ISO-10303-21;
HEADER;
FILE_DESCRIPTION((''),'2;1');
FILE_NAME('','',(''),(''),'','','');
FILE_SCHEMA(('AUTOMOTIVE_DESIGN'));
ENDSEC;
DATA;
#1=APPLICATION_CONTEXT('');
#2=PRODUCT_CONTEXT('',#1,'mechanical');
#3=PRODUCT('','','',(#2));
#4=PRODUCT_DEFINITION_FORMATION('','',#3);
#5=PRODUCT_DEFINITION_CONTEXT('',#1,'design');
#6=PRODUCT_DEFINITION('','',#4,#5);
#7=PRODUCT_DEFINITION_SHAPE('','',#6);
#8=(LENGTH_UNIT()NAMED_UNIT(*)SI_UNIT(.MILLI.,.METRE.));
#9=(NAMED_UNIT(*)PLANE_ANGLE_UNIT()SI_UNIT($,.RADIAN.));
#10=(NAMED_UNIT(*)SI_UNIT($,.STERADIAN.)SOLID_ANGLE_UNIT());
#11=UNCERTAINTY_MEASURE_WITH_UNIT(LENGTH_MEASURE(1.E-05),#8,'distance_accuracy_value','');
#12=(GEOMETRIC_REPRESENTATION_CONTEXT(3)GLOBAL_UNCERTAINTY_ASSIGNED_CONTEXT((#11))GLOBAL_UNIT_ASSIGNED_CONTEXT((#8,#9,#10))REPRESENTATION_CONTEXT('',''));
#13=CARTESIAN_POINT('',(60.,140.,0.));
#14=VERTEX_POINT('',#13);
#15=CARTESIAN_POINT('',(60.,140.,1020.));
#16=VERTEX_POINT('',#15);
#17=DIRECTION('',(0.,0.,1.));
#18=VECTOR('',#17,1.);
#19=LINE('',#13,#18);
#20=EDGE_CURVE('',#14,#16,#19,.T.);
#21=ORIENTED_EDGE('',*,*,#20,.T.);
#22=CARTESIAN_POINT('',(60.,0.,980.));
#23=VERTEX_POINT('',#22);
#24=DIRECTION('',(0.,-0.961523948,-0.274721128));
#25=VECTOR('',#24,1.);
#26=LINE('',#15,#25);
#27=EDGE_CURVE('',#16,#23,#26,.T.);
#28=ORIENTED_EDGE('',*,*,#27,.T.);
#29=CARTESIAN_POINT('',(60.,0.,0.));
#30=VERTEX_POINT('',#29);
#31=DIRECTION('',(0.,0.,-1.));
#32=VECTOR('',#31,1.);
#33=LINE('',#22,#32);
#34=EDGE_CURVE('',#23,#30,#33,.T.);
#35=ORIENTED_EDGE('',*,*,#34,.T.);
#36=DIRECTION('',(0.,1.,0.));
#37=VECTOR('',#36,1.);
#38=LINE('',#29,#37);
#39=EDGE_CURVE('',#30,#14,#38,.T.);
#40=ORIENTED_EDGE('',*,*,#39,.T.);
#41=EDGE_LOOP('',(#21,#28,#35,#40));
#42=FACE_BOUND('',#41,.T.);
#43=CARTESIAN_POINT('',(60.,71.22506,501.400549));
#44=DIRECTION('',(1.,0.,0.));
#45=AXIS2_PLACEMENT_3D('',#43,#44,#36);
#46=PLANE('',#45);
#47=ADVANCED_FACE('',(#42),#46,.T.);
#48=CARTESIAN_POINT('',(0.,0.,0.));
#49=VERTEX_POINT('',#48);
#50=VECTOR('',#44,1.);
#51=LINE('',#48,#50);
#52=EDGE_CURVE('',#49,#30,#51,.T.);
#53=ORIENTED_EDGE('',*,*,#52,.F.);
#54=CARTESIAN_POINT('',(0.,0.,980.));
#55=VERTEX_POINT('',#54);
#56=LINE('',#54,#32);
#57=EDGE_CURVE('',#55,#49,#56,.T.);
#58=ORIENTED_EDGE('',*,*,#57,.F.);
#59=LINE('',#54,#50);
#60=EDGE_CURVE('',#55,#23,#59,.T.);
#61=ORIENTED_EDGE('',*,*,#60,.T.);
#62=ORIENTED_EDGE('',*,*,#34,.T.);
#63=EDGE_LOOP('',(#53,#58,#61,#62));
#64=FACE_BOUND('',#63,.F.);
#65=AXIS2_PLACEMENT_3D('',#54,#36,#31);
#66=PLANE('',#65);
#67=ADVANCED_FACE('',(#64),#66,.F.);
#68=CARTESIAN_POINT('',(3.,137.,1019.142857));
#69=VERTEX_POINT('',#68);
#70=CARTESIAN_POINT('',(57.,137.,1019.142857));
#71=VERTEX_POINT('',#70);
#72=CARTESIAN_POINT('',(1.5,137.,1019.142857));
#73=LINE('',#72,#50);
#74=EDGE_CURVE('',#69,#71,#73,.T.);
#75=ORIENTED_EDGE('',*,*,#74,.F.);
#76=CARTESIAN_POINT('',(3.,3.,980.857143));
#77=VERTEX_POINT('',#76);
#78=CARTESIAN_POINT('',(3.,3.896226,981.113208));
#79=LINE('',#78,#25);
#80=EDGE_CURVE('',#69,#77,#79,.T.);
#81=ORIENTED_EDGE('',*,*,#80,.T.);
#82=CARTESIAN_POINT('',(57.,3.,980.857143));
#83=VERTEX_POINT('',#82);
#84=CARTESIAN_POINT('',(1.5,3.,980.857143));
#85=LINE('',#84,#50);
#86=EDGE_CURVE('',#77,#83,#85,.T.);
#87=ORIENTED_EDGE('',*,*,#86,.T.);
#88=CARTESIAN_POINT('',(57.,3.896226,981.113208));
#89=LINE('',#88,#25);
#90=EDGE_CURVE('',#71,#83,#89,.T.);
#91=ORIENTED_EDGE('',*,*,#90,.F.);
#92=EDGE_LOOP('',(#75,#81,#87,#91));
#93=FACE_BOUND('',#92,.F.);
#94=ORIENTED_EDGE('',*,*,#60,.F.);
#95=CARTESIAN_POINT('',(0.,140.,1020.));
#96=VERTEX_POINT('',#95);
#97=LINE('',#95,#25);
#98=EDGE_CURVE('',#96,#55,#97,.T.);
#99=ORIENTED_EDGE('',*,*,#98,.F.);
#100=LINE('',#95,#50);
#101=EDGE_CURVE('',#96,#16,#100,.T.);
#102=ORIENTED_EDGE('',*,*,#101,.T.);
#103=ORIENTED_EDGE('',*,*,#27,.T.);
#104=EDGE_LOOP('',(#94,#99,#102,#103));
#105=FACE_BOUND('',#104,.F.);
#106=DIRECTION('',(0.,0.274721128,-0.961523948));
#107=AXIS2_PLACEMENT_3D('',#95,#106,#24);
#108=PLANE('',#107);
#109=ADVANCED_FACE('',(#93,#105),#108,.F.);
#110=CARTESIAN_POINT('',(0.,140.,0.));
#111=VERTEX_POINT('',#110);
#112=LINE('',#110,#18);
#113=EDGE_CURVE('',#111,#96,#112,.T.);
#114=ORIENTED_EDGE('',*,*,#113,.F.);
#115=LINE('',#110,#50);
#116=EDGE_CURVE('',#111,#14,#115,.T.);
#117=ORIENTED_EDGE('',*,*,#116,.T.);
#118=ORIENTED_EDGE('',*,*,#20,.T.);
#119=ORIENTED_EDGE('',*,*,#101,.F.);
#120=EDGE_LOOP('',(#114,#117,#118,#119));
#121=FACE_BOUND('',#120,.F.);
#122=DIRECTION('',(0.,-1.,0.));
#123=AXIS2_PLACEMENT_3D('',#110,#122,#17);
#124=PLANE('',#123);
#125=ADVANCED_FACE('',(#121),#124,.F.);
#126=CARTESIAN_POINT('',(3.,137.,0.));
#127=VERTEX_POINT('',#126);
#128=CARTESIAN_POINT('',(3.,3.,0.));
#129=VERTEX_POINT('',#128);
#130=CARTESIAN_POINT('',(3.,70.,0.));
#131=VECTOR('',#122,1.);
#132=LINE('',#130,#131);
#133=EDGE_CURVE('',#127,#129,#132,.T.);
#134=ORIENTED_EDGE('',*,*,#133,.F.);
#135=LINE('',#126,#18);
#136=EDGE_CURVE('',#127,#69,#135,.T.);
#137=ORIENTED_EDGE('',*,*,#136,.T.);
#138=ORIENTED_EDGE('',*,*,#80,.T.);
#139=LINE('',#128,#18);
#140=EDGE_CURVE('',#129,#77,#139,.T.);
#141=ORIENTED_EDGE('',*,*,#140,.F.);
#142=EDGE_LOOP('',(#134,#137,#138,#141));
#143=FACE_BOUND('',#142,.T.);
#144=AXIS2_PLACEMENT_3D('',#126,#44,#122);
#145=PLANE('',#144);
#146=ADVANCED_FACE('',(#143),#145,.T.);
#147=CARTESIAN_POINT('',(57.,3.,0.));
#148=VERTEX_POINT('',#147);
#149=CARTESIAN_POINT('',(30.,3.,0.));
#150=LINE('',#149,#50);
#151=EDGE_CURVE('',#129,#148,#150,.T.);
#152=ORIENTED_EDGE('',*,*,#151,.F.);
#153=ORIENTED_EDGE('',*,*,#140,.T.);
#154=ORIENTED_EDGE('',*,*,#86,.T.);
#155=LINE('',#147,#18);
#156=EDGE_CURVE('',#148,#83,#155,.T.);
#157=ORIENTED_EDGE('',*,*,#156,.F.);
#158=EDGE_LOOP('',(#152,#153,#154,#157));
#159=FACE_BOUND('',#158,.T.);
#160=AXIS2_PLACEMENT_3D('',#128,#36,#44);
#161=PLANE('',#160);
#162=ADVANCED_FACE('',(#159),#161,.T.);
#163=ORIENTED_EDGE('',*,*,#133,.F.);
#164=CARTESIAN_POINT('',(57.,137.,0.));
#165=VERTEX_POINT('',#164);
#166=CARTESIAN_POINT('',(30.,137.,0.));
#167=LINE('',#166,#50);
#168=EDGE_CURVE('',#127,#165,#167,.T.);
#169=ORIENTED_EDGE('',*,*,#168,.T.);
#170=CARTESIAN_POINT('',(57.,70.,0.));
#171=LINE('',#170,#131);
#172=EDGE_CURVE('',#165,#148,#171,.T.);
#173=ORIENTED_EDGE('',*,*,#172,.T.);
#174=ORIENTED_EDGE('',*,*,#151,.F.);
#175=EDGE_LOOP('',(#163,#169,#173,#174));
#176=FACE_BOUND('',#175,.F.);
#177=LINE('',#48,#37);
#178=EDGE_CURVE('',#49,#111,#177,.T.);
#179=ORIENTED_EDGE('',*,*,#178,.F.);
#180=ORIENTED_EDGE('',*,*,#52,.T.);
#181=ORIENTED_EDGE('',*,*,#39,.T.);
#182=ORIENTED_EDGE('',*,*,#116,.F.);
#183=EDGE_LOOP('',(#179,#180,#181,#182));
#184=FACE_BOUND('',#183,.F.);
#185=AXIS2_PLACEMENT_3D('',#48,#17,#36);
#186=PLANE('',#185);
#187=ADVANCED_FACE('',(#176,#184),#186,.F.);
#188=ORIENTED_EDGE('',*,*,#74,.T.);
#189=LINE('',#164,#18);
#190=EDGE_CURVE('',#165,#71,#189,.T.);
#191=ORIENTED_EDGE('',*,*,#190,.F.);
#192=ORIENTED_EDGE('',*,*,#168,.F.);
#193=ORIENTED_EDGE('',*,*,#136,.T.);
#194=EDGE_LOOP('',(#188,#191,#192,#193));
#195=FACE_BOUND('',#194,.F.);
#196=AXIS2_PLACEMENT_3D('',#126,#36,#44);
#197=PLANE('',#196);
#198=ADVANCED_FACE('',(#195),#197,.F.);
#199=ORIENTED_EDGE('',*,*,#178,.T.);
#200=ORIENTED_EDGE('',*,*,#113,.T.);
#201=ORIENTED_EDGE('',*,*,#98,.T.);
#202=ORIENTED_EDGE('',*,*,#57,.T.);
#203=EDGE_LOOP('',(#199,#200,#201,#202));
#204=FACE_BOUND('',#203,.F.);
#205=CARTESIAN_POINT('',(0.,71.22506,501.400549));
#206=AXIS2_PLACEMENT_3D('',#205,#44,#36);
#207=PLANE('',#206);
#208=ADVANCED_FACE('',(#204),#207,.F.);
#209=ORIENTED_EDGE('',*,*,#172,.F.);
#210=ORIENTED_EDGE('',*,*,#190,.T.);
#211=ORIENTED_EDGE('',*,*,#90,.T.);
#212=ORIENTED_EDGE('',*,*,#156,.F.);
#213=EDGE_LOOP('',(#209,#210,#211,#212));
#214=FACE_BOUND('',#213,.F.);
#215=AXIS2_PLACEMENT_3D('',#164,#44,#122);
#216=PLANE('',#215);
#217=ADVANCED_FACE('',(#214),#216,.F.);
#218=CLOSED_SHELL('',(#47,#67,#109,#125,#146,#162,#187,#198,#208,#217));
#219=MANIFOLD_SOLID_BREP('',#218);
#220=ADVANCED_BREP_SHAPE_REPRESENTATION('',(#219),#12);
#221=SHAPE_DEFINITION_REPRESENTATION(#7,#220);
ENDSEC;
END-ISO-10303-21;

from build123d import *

# Parameters (mm, degrees)
F1_DEPTH = 60
F2_W     = 54
F2_H     = 134
F3_DEPTH = 1020.001


with BuildPart() as f1:
    # F0 (on Right) → F1 (new body)
    with BuildSketch(Plane.YZ):
        Polygon((0, 980), (0, 0), (140, 0), (140, 1020), align=None)
    extrude(amount=F1_DEPTH)

    # F2 (on face) → F3 (cut, through all)
    with BuildSketch(Plane(origin=(0, 0, 0), x_dir=(1, 0, 0), z_dir=(0, 0, -1))):
        with Locations((30, -70)):
            Rectangle(F2_W, F2_H)
    extrude(amount=-F3_DEPTH, mode=Mode.SUBTRACT)


solid = f1.part
